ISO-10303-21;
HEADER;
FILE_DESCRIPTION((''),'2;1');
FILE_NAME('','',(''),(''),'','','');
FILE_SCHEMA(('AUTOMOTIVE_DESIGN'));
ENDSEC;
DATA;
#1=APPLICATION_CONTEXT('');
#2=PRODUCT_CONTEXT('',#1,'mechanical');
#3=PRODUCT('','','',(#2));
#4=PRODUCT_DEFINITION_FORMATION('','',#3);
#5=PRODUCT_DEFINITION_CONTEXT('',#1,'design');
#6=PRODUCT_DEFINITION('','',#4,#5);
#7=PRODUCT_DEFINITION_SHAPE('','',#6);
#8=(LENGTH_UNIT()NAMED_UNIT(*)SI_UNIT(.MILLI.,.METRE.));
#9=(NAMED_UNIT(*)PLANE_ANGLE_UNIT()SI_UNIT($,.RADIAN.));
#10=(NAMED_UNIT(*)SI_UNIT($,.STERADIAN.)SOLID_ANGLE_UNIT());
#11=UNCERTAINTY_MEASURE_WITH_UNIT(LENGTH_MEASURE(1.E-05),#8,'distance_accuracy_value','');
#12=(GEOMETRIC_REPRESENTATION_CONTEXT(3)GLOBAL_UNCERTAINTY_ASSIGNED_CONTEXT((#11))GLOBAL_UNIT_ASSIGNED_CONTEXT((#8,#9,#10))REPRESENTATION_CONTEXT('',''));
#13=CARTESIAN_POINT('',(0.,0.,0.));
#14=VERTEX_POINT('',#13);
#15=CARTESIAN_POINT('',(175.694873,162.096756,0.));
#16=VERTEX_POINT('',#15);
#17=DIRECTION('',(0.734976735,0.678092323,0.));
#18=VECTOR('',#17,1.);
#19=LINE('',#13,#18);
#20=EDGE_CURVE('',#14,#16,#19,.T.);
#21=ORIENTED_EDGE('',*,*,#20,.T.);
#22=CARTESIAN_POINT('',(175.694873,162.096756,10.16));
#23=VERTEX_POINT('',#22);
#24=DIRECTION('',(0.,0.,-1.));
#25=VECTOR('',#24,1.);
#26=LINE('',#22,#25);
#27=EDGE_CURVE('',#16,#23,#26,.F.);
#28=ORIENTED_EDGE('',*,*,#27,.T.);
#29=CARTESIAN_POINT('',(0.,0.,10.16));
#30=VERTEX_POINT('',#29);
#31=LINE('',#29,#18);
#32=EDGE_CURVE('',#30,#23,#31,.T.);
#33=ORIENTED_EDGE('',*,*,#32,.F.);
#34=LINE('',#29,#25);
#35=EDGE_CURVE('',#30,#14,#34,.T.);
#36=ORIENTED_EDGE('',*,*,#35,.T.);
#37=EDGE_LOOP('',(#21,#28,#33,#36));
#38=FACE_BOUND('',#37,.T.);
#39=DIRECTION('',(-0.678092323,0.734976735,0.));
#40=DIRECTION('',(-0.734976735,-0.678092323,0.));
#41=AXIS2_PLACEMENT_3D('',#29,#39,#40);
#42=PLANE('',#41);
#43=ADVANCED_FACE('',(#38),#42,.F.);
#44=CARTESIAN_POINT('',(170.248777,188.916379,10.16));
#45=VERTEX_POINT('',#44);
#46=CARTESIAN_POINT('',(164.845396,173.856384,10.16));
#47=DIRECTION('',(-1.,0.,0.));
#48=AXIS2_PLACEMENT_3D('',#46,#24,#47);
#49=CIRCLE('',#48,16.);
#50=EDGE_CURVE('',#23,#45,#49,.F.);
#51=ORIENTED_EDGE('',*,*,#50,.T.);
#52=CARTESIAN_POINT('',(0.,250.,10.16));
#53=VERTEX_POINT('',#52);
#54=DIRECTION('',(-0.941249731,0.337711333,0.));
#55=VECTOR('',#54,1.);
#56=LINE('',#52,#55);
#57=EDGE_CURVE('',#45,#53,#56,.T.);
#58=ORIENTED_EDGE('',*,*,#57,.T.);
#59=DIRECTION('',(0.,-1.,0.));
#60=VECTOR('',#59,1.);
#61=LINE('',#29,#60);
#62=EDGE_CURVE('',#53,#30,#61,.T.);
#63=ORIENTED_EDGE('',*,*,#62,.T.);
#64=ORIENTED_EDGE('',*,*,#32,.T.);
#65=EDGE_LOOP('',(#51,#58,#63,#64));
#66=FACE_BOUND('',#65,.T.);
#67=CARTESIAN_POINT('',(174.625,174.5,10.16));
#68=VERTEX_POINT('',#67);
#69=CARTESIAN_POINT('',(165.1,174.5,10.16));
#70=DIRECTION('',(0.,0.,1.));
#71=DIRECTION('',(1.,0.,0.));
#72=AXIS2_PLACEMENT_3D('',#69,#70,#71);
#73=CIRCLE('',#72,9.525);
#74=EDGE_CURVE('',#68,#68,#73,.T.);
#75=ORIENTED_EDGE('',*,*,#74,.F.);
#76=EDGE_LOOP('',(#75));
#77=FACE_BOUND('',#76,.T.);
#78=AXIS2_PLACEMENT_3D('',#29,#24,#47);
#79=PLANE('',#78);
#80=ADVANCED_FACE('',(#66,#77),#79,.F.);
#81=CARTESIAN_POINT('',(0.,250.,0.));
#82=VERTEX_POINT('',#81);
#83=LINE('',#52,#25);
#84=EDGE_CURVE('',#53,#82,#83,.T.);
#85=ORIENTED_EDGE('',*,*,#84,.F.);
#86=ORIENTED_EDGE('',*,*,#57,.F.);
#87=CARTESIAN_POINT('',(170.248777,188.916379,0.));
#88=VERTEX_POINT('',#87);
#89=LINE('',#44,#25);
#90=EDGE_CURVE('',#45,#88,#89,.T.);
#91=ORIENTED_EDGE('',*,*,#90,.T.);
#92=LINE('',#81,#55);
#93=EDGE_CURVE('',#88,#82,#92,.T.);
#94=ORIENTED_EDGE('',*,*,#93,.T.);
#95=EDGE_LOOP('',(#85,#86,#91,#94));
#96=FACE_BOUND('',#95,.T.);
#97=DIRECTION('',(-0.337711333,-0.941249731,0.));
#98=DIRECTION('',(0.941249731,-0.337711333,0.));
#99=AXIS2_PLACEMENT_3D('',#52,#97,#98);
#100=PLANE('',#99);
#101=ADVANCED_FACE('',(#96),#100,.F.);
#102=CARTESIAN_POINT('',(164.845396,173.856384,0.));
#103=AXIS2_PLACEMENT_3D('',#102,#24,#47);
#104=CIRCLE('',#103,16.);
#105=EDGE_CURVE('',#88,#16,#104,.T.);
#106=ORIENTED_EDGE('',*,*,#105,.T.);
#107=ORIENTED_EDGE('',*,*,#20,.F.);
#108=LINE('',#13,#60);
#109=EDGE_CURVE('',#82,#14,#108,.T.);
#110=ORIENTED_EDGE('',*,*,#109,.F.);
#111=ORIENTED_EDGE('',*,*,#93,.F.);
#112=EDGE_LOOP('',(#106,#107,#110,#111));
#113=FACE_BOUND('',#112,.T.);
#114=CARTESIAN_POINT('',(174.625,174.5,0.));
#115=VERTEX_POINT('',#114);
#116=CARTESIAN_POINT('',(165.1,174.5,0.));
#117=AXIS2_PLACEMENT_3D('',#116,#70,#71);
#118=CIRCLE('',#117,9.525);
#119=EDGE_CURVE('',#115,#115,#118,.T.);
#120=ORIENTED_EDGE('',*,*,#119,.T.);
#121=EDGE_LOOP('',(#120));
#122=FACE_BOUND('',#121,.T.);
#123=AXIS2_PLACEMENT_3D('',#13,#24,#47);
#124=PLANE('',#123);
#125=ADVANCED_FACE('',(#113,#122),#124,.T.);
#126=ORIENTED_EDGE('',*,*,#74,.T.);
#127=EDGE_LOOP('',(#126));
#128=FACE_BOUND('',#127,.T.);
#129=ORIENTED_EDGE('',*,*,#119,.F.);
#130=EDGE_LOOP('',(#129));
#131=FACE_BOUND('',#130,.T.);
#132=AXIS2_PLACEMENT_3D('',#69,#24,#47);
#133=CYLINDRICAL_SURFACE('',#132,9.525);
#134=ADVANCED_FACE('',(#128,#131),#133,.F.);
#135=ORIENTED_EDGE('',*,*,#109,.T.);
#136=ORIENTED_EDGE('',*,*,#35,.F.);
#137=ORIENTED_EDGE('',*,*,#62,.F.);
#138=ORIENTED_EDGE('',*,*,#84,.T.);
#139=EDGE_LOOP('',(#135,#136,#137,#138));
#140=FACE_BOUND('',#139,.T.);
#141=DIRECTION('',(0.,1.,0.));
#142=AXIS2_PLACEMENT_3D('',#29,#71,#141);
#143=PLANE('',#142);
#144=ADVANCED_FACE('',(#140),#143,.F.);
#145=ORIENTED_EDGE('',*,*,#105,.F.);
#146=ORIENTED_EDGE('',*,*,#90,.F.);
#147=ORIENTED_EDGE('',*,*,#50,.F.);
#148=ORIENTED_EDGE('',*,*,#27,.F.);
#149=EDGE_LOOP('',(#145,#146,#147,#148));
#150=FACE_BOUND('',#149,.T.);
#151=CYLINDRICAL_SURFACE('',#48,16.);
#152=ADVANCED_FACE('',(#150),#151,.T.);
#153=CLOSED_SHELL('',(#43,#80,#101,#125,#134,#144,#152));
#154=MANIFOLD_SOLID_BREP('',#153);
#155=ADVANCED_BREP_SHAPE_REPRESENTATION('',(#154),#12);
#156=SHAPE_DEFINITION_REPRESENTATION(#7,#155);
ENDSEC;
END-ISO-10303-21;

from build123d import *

# Parameters (mm, degrees)
SKETCH1_R           = 9.525
BOSS_EXTRUDE1_DEPTH = 10.16
FILLET1_R           = 16


with BuildPart() as part:
    # Sketch1 → Boss-Extrude1 (new body)
    with BuildSketch(Plane.XY):
        Polygon((0, 0), (0, 250), (195.1, 180), align=None)
        with Locations((165.1, 174.5)):
            Circle(SKETCH1_R, mode=Mode.SUBTRACT)
    extrude(amount=BOSS_EXTRUDE1_DEPTH)

    # Fillet1
    fillet1_edges = [part.edges().sort_by_distance(p)[0] for p in [
        (195.1, 180, 5.08),
    ]]
    fillet(fillet1_edges, radius=FILLET1_R)


solid = part.part
